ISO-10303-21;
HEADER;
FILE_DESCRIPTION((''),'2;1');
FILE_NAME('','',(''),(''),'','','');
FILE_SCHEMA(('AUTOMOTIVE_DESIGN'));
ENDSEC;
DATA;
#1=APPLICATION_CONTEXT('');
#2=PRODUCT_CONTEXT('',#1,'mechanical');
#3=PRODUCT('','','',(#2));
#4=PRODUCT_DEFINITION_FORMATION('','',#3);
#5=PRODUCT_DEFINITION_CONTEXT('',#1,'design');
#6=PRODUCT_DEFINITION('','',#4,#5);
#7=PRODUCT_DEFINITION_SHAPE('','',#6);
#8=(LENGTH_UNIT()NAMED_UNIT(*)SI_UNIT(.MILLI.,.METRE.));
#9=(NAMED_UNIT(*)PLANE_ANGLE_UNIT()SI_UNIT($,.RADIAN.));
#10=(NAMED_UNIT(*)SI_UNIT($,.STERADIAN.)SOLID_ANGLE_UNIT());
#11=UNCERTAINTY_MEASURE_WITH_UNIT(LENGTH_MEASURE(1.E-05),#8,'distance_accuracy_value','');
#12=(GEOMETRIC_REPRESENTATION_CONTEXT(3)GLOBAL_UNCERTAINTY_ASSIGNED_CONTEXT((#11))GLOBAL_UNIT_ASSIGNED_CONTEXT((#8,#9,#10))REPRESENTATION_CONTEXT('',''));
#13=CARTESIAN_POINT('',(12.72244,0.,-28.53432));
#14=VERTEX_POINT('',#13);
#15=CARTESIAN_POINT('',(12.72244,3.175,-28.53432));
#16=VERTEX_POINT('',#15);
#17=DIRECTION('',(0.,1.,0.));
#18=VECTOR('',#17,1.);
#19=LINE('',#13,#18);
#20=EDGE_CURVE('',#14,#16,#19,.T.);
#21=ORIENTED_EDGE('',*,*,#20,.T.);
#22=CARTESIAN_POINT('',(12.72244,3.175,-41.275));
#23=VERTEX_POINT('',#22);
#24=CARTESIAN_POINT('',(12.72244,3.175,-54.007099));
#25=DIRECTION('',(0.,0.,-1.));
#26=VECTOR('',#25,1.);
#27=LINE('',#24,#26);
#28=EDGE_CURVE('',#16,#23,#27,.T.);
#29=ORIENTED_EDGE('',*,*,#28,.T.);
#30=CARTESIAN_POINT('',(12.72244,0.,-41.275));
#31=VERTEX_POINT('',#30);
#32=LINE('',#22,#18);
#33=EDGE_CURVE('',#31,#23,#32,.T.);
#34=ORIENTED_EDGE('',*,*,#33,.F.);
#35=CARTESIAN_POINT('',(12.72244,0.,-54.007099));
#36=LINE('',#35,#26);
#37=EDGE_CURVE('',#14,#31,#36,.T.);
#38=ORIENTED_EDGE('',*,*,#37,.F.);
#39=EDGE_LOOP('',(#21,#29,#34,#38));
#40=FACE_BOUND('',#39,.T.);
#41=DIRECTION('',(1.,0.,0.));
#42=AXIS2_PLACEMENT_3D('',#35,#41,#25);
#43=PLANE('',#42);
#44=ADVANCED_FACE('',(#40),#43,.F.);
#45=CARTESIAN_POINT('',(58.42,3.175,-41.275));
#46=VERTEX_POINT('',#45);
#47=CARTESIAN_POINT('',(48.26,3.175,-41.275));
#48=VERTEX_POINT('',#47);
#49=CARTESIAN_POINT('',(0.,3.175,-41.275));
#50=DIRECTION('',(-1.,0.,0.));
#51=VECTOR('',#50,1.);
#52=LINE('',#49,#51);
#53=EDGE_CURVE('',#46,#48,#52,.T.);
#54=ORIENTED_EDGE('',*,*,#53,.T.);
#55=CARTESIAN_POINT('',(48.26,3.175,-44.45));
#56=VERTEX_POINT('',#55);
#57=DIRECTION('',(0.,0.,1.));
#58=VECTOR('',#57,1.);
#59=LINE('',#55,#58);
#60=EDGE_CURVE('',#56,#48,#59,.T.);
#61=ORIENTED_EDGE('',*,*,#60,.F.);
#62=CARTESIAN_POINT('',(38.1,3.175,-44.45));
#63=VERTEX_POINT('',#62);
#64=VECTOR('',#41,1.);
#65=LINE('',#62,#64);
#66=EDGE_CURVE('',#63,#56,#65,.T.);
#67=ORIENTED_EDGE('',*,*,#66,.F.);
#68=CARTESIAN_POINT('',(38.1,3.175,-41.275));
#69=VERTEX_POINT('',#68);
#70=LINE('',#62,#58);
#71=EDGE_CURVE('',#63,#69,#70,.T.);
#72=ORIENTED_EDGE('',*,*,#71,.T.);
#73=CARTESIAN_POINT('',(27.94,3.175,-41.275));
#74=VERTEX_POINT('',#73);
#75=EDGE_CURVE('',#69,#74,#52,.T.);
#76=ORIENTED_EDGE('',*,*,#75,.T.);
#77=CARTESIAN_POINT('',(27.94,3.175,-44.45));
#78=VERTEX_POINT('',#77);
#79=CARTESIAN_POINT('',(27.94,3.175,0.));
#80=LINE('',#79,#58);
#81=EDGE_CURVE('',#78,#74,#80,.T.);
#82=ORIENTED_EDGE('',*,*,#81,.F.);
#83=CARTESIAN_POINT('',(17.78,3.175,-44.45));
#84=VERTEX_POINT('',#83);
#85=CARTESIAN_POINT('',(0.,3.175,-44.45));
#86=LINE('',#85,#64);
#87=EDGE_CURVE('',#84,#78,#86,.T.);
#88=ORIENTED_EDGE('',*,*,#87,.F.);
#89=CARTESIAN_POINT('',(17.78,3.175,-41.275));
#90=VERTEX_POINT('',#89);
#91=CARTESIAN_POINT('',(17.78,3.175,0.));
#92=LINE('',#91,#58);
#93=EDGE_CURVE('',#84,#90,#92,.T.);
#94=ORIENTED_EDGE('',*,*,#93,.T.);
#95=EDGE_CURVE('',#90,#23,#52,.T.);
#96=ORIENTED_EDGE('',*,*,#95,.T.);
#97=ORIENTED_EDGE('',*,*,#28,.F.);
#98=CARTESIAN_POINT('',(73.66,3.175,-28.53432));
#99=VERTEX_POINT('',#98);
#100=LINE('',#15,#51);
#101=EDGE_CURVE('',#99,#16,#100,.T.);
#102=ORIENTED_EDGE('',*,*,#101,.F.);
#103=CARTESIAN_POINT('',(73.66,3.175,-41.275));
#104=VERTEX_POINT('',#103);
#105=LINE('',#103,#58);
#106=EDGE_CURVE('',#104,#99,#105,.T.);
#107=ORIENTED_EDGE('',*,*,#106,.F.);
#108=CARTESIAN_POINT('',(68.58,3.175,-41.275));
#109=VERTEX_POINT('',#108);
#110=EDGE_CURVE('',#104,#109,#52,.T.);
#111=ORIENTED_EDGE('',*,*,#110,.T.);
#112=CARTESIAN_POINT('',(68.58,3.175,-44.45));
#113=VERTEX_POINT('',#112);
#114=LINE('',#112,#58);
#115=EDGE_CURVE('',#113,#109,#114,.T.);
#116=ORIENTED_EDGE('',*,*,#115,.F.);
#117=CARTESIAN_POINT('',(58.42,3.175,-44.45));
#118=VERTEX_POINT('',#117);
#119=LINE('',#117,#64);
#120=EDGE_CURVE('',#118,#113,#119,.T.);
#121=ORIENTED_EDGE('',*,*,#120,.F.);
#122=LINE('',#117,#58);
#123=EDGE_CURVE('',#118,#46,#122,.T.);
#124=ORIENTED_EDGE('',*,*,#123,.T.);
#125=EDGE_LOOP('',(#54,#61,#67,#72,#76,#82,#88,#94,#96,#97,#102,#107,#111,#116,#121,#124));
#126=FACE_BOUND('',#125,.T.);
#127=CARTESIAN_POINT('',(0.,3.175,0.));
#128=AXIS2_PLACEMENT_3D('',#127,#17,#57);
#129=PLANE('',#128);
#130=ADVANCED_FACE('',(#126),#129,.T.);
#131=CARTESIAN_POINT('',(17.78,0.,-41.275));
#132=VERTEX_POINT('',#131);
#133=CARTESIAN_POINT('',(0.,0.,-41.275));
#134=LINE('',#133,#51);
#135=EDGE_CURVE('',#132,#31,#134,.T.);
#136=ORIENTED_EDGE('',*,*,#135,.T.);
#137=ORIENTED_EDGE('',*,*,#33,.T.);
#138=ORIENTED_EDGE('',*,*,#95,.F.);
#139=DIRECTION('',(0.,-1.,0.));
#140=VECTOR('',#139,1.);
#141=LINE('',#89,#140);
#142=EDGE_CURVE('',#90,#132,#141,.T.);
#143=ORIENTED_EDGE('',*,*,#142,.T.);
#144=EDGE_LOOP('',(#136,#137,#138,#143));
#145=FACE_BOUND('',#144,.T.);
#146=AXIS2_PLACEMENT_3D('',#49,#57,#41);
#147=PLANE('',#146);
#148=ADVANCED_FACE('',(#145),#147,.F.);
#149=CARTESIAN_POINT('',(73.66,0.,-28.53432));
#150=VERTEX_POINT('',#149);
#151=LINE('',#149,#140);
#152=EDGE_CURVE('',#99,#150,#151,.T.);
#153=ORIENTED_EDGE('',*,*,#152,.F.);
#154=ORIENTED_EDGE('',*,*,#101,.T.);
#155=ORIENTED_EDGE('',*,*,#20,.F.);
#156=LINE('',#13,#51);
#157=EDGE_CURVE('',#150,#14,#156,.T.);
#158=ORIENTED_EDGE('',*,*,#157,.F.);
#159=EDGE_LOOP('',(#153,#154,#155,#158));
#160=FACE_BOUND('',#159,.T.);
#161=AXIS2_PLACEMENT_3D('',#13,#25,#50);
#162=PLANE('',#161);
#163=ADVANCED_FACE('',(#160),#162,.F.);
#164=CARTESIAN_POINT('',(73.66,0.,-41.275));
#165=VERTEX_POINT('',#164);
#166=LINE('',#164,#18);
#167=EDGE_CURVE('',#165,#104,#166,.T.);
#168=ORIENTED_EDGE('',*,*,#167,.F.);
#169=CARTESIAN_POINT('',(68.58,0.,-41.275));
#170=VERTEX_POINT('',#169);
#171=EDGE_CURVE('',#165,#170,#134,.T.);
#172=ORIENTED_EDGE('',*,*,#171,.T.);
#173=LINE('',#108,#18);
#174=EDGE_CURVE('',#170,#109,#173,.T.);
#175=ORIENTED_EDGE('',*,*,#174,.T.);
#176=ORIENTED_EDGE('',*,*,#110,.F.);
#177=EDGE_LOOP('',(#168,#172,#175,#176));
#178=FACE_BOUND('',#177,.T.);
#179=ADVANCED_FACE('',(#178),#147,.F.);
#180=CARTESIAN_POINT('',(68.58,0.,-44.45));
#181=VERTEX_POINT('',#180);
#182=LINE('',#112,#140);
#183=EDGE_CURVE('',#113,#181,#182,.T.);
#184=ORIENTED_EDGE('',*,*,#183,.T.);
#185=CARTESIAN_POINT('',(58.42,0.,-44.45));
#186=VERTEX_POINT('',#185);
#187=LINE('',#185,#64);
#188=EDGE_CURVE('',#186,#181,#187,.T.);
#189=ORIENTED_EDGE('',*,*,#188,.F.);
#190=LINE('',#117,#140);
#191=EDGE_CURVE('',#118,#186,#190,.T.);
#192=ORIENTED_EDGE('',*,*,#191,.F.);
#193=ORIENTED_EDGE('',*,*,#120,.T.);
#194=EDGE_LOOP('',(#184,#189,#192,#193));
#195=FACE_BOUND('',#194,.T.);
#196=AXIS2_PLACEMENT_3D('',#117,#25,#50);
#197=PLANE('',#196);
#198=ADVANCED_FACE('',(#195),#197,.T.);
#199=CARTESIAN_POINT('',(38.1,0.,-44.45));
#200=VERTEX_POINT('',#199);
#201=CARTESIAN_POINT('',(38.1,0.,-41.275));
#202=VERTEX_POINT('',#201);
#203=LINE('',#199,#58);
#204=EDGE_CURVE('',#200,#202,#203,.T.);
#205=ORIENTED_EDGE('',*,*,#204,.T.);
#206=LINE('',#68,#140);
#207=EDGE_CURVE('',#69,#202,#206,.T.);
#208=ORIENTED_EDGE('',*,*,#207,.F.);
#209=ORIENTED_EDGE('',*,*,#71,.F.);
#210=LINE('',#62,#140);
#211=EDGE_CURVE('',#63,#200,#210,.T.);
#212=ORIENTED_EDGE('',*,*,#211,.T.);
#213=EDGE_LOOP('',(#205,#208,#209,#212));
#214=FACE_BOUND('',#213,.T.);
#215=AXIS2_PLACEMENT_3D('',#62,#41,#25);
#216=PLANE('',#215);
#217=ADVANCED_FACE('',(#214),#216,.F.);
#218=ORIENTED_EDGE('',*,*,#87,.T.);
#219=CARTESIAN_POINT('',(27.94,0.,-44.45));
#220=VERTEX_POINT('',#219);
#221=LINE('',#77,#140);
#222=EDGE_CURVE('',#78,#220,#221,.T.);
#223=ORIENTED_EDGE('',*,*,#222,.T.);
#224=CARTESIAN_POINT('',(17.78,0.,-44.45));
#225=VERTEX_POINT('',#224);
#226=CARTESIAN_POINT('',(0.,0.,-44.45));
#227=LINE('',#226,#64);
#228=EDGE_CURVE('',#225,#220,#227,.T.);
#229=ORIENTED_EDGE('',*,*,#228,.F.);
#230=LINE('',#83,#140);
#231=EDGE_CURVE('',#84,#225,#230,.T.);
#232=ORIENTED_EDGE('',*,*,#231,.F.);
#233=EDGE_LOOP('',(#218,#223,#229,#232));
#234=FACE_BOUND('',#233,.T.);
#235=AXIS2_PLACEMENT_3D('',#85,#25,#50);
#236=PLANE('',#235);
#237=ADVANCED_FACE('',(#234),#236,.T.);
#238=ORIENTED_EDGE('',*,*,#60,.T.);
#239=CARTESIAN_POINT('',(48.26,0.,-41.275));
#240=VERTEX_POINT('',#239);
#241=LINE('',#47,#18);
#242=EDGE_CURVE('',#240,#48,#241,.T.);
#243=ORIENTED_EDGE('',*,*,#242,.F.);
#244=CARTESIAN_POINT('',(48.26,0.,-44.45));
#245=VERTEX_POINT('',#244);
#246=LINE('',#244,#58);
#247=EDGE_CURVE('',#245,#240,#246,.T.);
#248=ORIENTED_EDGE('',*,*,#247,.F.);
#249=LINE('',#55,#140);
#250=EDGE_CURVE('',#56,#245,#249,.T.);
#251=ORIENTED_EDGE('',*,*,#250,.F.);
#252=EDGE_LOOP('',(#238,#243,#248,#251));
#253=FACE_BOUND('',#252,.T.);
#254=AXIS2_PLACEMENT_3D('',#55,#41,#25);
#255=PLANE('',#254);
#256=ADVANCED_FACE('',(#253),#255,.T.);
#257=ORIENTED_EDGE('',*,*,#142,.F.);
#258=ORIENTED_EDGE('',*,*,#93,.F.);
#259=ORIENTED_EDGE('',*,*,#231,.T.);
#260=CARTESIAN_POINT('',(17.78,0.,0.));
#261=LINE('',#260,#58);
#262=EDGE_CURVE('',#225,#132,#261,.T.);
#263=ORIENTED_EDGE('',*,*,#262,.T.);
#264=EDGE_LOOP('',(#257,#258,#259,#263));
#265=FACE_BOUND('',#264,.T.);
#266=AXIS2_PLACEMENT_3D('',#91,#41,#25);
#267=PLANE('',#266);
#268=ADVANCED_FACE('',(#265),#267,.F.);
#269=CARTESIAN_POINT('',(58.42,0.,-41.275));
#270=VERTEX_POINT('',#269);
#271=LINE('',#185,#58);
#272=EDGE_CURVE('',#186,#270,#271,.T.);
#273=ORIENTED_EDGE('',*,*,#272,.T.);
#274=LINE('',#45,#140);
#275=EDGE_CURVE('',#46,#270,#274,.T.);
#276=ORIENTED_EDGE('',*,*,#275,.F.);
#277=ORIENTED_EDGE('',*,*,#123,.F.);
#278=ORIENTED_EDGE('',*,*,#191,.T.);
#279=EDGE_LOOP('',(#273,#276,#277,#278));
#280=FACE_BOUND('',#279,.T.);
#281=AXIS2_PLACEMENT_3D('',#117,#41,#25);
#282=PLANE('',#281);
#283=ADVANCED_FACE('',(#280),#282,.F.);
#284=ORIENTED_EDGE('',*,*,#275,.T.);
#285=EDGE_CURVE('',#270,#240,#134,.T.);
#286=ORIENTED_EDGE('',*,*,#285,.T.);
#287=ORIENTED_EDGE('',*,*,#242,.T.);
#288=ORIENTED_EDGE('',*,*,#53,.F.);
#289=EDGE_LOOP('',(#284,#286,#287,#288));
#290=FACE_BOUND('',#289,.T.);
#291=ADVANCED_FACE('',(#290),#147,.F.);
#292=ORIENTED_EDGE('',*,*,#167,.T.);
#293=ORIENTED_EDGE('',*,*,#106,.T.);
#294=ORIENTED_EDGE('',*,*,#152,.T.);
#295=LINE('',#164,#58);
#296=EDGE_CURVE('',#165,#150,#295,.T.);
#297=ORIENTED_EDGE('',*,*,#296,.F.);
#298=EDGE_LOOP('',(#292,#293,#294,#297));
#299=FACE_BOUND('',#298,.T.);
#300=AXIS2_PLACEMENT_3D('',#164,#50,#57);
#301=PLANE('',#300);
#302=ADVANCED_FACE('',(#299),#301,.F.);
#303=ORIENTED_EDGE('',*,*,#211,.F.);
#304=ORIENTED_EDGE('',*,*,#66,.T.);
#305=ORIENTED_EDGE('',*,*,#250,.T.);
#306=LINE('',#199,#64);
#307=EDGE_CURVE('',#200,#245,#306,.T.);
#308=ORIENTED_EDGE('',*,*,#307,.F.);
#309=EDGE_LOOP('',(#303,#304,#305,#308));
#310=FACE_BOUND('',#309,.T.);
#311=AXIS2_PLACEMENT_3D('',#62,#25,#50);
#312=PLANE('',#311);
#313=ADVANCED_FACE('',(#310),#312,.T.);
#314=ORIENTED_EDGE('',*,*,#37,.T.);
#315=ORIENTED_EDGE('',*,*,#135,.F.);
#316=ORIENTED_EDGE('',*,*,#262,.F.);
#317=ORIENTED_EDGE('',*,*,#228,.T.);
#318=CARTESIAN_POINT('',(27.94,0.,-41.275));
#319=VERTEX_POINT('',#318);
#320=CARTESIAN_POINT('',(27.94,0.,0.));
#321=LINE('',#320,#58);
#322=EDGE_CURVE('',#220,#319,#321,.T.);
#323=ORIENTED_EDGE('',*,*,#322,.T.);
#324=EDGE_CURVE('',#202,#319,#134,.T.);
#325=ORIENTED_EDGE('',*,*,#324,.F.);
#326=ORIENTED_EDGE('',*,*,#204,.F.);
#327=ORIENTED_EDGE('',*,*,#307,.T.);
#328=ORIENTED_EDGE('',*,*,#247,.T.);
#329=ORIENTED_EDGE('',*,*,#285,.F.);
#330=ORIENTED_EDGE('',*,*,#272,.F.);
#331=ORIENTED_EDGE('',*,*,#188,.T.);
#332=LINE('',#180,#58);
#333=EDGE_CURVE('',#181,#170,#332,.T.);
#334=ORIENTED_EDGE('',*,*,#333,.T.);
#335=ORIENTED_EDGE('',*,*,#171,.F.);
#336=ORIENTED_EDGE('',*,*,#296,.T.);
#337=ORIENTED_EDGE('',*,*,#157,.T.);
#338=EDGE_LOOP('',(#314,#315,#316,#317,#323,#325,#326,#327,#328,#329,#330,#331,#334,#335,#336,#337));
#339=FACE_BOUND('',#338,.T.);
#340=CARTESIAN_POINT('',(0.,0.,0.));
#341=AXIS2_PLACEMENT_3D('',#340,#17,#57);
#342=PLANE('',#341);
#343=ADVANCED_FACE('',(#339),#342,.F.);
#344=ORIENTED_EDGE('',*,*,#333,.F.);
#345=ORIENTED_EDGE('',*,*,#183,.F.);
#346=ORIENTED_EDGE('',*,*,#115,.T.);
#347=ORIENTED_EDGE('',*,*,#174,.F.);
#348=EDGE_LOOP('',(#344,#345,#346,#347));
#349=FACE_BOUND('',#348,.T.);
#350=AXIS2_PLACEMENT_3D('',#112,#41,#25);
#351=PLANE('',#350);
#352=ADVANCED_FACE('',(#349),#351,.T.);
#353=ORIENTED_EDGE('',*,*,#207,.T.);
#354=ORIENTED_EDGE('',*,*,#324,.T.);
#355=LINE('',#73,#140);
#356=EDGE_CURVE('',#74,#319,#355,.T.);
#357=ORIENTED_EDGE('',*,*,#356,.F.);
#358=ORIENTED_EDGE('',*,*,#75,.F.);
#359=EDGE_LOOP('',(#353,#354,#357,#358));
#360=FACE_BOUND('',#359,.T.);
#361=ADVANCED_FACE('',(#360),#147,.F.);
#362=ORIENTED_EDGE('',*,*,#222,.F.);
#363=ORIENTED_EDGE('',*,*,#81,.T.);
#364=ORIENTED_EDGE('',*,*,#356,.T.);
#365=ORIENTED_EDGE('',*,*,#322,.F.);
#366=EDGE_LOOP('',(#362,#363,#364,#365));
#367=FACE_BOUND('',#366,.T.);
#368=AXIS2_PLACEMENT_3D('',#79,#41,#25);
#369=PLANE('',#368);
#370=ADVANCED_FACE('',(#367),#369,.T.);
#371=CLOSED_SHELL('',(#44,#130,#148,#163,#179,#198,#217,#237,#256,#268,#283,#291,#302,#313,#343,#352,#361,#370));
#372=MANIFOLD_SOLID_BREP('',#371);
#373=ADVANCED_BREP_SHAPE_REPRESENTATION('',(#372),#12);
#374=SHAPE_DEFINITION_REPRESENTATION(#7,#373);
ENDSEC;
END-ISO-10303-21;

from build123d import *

# Parameters (mm, degrees)
SKETCH1_W                     = 10.16
SKETCH1_H                     = 3.175
SKETCH1_W_2                   = 152.4
SKETCH1_H_2                   = 82.55
SKETCH1_R                     = 7.747
MAIN_EXTRUDE_DEPTH            = 3.175
SKETCH2_R                     = 2.54
CASTER_MOUNTING_HOLES_DEPTH   = 89.274136218
SKETCH3_W                     = 2.54
SKETCH3_H                     = 82.55
REMOVE_UNEVEN_BACK_EDGE_DEPTH = 89.274136218
CUT_EXTRUDE2_DEPTH            = 89.274136218


with BuildPart() as part:
    # Sketch1 → Main Extrude (new body)
    # profile 1 of 7: a face of its own
    with BuildSketch(Plane(origin=(0, 0, 0), x_dir=(1, 0, 0), z_dir=(0, 1, 0))):
        with Locations((43.18, -42.8625)):
            Rectangle(SKETCH1_W, SKETCH1_H)
    # profile 2 of 7: a face of its own
    with BuildSketch(Plane(origin=(0, 0, 0), x_dir=(1, 0, 0), z_dir=(0, 1, 0))):
        Rectangle(SKETCH1_W_2, SKETCH1_H_2)
        with Locations(Location((-65.076590574, 0, 0), (0, 0, 270))):
            Circle(SKETCH1_R, mode=Mode.SUBTRACT)
    # profile 3 of 7: a face of its own
    with BuildSketch(Plane(origin=(0, 0, 0), x_dir=(1, 0, 0), z_dir=(0, 1, 0))):
        with Locations((63.5, -42.8625)):
            Rectangle(SKETCH1_W, SKETCH1_H)
    # profile 4 of 7: a face of its own
    with BuildSketch(Plane(origin=(0, 0, 0), x_dir=(1, 0, 0), z_dir=(0, 1, 0))):
        with Locations((22.86, -42.8625)):
            Rectangle(SKETCH1_W, SKETCH1_H)
    # profile 5 of 7: a face of its own
    with BuildSketch(Plane(origin=(0, 0, 0), x_dir=(1, 0, 0), z_dir=(0, 1, 0))):
        with Locations((63.5, 42.8625)):
            Rectangle(SKETCH1_W, SKETCH1_H)
    # profile 6 of 7: a face of its own
    with BuildSketch(Plane(origin=(0, 0, 0), x_dir=(1, 0, 0), z_dir=(0, 1, 0))):
        with Locations((43.18, 42.8625)):
            Rectangle(SKETCH1_W, SKETCH1_H)
    # profile 7 of 7: a face of its own
    with BuildSketch(Plane(origin=(0, 0, 0), x_dir=(1, 0, 0), z_dir=(0, 1, 0))):
        with Locations((22.86, 42.8625)):
            Rectangle(SKETCH1_W, SKETCH1_H)
    extrude(amount=MAIN_EXTRUDE_DEPTH)

    # Sketch2 → Caster Mounting Holes (cut, through all)
    with BuildSketch(Plane(origin=(0, 3.175, 0), x_dir=(1, 0, 0), z_dir=(0, 1, 0))):
        with Locations(Location((-47.3754273, 15.24, 0), (0, 0, 270))):
            Circle(SKETCH2_R)
        with Locations(Location((-23.4994273, 15.24, 0), (0, 0, 270))):
            Circle(SKETCH2_R)
        with Locations(Location((-23.4994273, -15.24, 0), (0, 0, 270))):
            Circle(SKETCH2_R)
        with Locations(Location((-47.3754273, -15.24, 0), (0, 0, 270))):
            Circle(SKETCH2_R)
    extrude(amount=-CASTER_MOUNTING_HOLES_DEPTH, mode=Mode.SUBTRACT)

    # Sketch3 → Remove Uneven Back Edge (cut, through all)
    with BuildSketch(Plane(origin=(0, 3.175, 0), x_dir=(1, 0, 0), z_dir=(0, 1, 0))):
        with Locations((74.93, 0)):
            Rectangle(SKETCH3_W, SKETCH3_H)
    extrude(amount=-REMOVE_UNEVEN_BACK_EDGE_DEPTH, mode=Mode.SUBTRACT)

    # Sketch4 → Cut-Extrude2 (cut, through all)
    with BuildSketch(Plane(origin=(0, 3.175, 0), x_dir=(1, 0, 0), z_dir=(0, 1, 0))):
        Polygon((12.722439957, 54.007099157), (12.722439957, 28.534320342), (84.718317581, 28.534320342), (84.718317581, -50.041057477), (-114.731091279, -51.937564591), (-115.738488642, 54.007099157), align=None)
    extrude(amount=-CUT_EXTRUDE2_DEPTH, mode=Mode.SUBTRACT)


solid = part.part
